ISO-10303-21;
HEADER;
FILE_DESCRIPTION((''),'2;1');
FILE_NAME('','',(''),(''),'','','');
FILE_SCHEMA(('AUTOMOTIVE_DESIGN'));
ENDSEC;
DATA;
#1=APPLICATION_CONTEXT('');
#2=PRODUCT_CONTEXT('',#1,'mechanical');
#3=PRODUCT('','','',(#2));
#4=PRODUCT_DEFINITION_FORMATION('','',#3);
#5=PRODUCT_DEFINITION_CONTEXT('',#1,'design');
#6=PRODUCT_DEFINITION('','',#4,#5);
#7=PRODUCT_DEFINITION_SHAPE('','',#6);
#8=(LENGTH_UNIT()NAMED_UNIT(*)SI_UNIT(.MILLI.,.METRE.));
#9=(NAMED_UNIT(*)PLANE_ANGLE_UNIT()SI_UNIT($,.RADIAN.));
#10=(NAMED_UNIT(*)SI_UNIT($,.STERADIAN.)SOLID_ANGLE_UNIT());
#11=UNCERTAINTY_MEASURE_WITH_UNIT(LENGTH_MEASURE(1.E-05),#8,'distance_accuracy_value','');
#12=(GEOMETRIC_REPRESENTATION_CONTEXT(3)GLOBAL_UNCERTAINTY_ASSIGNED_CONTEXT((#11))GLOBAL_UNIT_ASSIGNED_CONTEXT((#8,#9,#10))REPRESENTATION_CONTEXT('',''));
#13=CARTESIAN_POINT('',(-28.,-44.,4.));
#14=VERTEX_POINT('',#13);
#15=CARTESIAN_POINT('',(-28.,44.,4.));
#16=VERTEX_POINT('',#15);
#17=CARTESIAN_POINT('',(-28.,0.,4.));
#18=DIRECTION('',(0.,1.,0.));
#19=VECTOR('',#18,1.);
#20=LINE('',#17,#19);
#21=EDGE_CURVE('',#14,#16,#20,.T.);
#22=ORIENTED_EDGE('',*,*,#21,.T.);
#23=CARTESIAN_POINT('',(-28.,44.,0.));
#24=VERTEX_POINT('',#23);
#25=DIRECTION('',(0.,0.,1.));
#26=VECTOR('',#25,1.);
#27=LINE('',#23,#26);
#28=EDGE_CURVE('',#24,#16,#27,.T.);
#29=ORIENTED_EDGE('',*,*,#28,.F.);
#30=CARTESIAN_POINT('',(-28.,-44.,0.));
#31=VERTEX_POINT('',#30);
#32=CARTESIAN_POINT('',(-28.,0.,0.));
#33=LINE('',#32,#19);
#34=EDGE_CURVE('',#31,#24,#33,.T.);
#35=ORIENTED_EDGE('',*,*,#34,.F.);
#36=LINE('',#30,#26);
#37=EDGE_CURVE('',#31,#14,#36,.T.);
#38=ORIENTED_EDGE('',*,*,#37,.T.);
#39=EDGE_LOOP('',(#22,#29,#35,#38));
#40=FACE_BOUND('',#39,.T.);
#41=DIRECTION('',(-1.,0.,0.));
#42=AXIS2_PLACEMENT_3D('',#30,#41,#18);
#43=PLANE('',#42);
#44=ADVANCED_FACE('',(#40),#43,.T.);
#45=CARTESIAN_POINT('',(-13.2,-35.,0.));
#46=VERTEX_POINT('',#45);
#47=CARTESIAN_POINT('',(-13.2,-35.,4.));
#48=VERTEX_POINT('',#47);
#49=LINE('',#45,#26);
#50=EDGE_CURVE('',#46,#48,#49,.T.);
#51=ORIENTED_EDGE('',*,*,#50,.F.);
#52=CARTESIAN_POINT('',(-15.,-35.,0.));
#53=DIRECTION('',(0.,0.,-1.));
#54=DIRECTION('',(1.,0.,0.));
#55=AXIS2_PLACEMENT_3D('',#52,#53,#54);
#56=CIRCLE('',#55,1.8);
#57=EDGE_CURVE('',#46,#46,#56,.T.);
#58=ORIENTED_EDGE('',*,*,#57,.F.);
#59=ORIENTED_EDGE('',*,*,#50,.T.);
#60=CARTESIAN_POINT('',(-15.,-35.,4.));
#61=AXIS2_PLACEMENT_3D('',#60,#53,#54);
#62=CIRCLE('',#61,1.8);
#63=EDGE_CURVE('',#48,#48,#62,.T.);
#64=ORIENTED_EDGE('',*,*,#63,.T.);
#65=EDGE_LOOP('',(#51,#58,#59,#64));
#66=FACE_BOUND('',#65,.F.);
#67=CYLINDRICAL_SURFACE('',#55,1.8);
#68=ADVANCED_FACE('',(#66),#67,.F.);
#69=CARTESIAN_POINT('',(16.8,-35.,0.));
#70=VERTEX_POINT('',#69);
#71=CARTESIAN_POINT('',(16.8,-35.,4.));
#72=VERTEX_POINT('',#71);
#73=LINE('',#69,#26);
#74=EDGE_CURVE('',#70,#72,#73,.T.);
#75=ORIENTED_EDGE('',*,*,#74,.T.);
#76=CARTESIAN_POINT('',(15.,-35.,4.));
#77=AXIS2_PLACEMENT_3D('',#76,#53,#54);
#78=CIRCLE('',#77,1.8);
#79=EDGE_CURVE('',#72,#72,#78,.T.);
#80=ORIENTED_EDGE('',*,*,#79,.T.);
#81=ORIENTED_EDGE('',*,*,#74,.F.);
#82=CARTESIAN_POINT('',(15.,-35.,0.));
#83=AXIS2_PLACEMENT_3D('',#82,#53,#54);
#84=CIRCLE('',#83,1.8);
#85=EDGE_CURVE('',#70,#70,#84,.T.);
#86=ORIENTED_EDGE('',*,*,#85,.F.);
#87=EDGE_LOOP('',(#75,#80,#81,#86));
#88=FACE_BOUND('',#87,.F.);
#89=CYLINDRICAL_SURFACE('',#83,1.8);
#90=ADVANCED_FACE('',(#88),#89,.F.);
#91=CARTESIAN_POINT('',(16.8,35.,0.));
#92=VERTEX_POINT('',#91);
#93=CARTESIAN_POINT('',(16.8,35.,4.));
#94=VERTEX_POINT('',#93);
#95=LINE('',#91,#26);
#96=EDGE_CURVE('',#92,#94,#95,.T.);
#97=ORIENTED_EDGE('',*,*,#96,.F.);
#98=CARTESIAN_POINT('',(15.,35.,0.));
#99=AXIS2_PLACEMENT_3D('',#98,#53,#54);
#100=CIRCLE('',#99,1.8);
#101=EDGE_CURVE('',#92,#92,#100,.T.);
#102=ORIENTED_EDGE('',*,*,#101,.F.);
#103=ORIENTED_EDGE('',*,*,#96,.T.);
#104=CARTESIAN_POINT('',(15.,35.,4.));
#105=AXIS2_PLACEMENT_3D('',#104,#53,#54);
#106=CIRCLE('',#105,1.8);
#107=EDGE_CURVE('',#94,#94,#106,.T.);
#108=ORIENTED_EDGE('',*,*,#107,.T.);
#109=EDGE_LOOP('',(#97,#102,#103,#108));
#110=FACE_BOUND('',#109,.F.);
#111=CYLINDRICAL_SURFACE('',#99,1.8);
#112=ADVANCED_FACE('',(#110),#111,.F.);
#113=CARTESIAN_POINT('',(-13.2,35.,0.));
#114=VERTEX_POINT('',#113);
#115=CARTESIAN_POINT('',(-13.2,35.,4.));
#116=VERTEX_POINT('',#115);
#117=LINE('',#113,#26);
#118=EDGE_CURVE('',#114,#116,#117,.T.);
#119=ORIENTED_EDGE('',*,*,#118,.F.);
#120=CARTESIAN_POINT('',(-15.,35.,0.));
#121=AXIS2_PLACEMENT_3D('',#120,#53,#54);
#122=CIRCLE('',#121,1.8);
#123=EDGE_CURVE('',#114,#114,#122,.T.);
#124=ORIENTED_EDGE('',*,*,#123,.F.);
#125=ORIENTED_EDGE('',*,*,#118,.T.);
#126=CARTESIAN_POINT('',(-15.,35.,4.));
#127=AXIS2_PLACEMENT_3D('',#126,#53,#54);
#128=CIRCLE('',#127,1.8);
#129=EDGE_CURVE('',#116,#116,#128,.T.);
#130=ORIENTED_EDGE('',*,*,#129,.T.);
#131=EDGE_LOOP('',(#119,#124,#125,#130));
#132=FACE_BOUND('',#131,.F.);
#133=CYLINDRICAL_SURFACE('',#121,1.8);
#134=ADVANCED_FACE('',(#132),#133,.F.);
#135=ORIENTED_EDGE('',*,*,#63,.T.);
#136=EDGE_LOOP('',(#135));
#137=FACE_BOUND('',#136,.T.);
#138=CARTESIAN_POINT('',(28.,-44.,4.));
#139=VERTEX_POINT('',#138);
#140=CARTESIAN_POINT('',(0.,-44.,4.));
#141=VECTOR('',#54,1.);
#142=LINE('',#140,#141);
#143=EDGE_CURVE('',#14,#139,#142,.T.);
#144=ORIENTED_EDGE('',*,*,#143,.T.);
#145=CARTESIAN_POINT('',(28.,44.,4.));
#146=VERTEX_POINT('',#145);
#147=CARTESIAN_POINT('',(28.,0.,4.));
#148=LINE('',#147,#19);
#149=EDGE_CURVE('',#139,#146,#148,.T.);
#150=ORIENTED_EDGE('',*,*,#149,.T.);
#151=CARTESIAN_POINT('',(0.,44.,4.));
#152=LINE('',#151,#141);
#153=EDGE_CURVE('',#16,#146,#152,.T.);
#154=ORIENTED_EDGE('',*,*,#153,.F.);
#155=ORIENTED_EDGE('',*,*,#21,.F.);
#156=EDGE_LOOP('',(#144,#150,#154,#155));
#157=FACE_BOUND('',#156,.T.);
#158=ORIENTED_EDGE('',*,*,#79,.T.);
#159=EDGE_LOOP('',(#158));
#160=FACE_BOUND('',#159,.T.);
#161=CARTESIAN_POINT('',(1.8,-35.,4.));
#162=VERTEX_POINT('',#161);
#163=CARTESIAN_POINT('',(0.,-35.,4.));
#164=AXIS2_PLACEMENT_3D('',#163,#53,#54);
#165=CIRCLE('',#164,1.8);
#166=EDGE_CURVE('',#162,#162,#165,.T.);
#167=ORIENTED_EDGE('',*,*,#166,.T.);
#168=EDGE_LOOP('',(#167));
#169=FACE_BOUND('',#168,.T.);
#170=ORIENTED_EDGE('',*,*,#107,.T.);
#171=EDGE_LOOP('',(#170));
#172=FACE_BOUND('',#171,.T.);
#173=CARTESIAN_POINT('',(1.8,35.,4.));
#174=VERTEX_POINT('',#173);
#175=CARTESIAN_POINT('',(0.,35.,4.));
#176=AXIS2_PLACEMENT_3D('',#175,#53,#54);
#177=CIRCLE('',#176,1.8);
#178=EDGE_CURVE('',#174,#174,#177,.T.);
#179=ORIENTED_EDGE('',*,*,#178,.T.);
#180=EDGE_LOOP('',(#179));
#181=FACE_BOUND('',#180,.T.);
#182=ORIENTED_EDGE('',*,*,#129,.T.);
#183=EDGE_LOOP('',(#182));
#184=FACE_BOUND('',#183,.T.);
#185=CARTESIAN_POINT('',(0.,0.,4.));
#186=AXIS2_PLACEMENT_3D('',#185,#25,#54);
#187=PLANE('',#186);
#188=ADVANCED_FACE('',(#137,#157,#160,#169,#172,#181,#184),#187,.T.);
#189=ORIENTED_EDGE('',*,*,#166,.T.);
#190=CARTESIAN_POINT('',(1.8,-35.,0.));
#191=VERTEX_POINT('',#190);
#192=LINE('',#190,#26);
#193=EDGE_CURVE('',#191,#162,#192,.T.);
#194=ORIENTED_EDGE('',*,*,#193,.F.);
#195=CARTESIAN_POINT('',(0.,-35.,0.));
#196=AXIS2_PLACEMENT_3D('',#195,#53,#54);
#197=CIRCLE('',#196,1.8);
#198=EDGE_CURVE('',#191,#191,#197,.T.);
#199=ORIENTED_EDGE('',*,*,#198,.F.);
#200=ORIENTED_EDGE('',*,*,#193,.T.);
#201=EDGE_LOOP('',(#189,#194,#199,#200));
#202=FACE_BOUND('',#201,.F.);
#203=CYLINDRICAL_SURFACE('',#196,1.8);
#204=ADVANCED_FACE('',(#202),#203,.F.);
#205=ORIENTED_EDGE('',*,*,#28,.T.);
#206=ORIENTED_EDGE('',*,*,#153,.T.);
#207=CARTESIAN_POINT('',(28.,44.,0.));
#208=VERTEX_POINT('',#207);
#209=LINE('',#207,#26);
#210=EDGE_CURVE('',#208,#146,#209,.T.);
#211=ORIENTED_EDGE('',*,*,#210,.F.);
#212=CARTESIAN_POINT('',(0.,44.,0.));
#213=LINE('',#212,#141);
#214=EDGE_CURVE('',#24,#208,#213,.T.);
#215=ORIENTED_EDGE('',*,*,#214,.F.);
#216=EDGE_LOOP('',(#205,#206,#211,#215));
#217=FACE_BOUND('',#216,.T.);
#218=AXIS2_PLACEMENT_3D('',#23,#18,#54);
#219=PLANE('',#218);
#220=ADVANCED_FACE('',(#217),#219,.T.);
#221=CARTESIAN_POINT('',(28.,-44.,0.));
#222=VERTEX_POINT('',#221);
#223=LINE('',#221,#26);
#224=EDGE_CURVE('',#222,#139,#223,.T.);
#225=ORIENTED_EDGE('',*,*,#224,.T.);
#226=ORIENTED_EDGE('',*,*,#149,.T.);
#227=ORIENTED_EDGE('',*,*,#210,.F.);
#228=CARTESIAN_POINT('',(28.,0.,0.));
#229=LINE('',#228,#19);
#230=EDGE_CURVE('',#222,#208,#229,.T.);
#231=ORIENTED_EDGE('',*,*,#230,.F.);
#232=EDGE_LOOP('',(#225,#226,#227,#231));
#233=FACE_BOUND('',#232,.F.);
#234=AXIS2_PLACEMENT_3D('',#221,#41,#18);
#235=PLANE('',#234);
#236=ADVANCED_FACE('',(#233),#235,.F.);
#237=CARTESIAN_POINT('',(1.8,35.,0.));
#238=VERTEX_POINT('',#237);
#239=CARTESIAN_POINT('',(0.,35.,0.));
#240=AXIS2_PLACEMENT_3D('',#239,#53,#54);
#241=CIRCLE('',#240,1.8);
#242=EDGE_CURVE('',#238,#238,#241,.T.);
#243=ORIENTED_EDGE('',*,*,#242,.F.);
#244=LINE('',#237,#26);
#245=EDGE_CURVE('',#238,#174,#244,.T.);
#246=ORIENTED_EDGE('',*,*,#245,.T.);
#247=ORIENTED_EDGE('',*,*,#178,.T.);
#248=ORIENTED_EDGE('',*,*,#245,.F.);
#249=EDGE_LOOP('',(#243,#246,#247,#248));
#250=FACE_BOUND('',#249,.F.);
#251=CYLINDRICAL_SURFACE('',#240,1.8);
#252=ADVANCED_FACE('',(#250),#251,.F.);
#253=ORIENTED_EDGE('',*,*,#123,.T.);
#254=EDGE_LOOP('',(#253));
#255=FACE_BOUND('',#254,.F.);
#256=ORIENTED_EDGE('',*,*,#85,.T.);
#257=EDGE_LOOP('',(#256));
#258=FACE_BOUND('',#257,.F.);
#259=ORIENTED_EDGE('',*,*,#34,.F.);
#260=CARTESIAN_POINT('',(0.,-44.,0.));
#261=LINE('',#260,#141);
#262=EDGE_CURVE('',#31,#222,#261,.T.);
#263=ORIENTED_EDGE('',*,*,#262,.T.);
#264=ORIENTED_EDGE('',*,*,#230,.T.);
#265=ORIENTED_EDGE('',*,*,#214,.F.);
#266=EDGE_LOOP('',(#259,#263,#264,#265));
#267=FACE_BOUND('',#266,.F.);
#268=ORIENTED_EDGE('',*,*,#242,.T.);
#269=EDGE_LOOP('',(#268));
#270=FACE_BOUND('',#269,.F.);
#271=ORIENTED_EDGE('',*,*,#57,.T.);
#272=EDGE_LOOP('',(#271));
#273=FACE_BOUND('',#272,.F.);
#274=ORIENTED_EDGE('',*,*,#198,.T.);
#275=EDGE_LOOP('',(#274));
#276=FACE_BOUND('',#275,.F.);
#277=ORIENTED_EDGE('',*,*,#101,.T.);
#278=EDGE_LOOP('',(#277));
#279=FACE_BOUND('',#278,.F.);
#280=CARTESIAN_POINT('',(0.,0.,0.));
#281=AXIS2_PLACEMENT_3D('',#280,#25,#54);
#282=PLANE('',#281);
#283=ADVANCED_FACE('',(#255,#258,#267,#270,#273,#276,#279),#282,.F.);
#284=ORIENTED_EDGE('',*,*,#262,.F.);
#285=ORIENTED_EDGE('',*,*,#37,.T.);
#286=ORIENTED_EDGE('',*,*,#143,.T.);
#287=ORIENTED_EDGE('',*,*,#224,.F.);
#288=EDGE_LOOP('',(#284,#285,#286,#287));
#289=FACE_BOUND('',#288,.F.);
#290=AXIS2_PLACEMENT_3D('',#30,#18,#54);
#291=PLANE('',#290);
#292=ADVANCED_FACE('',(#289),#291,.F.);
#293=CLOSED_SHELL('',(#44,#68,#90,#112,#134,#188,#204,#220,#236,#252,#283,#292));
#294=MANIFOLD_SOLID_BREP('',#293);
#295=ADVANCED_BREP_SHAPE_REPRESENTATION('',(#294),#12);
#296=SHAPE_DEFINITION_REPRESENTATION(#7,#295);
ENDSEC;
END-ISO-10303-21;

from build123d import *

# Parameters (mm, degrees)
SKETCH_W        = 56
SKETCH_H        = 88
PAD_DEPTH       = 4
SKETCH004_R     = 1.8
POCKET001_DEPTH = 5


with BuildPart() as part:
    # Sketch → Pad (new body)
    with BuildSketch(Plane.XY):
        Rectangle(SKETCH_W, SKETCH_H)
    extrude(amount=PAD_DEPTH)

    # Sketch004 → Pocket001 (cut)
    with BuildSketch(Plane(origin=(0, 0, 0), x_dir=(1, 0, 0), z_dir=(0, 0, -1))):
        with Locations((0, -35)):
            Circle(SKETCH004_R)
        with Locations((15, -35)):
            Circle(SKETCH004_R)
        with Locations((-15, -35)):
            Circle(SKETCH004_R)
        with Locations((15, 35)):
            Circle(SKETCH004_R)
        with Locations((0, 35)):
            Circle(SKETCH004_R)
        with Locations((-15, 35)):
            Circle(SKETCH004_R)
    extrude(amount=-POCKET001_DEPTH, mode=Mode.SUBTRACT)


solid = part.part
